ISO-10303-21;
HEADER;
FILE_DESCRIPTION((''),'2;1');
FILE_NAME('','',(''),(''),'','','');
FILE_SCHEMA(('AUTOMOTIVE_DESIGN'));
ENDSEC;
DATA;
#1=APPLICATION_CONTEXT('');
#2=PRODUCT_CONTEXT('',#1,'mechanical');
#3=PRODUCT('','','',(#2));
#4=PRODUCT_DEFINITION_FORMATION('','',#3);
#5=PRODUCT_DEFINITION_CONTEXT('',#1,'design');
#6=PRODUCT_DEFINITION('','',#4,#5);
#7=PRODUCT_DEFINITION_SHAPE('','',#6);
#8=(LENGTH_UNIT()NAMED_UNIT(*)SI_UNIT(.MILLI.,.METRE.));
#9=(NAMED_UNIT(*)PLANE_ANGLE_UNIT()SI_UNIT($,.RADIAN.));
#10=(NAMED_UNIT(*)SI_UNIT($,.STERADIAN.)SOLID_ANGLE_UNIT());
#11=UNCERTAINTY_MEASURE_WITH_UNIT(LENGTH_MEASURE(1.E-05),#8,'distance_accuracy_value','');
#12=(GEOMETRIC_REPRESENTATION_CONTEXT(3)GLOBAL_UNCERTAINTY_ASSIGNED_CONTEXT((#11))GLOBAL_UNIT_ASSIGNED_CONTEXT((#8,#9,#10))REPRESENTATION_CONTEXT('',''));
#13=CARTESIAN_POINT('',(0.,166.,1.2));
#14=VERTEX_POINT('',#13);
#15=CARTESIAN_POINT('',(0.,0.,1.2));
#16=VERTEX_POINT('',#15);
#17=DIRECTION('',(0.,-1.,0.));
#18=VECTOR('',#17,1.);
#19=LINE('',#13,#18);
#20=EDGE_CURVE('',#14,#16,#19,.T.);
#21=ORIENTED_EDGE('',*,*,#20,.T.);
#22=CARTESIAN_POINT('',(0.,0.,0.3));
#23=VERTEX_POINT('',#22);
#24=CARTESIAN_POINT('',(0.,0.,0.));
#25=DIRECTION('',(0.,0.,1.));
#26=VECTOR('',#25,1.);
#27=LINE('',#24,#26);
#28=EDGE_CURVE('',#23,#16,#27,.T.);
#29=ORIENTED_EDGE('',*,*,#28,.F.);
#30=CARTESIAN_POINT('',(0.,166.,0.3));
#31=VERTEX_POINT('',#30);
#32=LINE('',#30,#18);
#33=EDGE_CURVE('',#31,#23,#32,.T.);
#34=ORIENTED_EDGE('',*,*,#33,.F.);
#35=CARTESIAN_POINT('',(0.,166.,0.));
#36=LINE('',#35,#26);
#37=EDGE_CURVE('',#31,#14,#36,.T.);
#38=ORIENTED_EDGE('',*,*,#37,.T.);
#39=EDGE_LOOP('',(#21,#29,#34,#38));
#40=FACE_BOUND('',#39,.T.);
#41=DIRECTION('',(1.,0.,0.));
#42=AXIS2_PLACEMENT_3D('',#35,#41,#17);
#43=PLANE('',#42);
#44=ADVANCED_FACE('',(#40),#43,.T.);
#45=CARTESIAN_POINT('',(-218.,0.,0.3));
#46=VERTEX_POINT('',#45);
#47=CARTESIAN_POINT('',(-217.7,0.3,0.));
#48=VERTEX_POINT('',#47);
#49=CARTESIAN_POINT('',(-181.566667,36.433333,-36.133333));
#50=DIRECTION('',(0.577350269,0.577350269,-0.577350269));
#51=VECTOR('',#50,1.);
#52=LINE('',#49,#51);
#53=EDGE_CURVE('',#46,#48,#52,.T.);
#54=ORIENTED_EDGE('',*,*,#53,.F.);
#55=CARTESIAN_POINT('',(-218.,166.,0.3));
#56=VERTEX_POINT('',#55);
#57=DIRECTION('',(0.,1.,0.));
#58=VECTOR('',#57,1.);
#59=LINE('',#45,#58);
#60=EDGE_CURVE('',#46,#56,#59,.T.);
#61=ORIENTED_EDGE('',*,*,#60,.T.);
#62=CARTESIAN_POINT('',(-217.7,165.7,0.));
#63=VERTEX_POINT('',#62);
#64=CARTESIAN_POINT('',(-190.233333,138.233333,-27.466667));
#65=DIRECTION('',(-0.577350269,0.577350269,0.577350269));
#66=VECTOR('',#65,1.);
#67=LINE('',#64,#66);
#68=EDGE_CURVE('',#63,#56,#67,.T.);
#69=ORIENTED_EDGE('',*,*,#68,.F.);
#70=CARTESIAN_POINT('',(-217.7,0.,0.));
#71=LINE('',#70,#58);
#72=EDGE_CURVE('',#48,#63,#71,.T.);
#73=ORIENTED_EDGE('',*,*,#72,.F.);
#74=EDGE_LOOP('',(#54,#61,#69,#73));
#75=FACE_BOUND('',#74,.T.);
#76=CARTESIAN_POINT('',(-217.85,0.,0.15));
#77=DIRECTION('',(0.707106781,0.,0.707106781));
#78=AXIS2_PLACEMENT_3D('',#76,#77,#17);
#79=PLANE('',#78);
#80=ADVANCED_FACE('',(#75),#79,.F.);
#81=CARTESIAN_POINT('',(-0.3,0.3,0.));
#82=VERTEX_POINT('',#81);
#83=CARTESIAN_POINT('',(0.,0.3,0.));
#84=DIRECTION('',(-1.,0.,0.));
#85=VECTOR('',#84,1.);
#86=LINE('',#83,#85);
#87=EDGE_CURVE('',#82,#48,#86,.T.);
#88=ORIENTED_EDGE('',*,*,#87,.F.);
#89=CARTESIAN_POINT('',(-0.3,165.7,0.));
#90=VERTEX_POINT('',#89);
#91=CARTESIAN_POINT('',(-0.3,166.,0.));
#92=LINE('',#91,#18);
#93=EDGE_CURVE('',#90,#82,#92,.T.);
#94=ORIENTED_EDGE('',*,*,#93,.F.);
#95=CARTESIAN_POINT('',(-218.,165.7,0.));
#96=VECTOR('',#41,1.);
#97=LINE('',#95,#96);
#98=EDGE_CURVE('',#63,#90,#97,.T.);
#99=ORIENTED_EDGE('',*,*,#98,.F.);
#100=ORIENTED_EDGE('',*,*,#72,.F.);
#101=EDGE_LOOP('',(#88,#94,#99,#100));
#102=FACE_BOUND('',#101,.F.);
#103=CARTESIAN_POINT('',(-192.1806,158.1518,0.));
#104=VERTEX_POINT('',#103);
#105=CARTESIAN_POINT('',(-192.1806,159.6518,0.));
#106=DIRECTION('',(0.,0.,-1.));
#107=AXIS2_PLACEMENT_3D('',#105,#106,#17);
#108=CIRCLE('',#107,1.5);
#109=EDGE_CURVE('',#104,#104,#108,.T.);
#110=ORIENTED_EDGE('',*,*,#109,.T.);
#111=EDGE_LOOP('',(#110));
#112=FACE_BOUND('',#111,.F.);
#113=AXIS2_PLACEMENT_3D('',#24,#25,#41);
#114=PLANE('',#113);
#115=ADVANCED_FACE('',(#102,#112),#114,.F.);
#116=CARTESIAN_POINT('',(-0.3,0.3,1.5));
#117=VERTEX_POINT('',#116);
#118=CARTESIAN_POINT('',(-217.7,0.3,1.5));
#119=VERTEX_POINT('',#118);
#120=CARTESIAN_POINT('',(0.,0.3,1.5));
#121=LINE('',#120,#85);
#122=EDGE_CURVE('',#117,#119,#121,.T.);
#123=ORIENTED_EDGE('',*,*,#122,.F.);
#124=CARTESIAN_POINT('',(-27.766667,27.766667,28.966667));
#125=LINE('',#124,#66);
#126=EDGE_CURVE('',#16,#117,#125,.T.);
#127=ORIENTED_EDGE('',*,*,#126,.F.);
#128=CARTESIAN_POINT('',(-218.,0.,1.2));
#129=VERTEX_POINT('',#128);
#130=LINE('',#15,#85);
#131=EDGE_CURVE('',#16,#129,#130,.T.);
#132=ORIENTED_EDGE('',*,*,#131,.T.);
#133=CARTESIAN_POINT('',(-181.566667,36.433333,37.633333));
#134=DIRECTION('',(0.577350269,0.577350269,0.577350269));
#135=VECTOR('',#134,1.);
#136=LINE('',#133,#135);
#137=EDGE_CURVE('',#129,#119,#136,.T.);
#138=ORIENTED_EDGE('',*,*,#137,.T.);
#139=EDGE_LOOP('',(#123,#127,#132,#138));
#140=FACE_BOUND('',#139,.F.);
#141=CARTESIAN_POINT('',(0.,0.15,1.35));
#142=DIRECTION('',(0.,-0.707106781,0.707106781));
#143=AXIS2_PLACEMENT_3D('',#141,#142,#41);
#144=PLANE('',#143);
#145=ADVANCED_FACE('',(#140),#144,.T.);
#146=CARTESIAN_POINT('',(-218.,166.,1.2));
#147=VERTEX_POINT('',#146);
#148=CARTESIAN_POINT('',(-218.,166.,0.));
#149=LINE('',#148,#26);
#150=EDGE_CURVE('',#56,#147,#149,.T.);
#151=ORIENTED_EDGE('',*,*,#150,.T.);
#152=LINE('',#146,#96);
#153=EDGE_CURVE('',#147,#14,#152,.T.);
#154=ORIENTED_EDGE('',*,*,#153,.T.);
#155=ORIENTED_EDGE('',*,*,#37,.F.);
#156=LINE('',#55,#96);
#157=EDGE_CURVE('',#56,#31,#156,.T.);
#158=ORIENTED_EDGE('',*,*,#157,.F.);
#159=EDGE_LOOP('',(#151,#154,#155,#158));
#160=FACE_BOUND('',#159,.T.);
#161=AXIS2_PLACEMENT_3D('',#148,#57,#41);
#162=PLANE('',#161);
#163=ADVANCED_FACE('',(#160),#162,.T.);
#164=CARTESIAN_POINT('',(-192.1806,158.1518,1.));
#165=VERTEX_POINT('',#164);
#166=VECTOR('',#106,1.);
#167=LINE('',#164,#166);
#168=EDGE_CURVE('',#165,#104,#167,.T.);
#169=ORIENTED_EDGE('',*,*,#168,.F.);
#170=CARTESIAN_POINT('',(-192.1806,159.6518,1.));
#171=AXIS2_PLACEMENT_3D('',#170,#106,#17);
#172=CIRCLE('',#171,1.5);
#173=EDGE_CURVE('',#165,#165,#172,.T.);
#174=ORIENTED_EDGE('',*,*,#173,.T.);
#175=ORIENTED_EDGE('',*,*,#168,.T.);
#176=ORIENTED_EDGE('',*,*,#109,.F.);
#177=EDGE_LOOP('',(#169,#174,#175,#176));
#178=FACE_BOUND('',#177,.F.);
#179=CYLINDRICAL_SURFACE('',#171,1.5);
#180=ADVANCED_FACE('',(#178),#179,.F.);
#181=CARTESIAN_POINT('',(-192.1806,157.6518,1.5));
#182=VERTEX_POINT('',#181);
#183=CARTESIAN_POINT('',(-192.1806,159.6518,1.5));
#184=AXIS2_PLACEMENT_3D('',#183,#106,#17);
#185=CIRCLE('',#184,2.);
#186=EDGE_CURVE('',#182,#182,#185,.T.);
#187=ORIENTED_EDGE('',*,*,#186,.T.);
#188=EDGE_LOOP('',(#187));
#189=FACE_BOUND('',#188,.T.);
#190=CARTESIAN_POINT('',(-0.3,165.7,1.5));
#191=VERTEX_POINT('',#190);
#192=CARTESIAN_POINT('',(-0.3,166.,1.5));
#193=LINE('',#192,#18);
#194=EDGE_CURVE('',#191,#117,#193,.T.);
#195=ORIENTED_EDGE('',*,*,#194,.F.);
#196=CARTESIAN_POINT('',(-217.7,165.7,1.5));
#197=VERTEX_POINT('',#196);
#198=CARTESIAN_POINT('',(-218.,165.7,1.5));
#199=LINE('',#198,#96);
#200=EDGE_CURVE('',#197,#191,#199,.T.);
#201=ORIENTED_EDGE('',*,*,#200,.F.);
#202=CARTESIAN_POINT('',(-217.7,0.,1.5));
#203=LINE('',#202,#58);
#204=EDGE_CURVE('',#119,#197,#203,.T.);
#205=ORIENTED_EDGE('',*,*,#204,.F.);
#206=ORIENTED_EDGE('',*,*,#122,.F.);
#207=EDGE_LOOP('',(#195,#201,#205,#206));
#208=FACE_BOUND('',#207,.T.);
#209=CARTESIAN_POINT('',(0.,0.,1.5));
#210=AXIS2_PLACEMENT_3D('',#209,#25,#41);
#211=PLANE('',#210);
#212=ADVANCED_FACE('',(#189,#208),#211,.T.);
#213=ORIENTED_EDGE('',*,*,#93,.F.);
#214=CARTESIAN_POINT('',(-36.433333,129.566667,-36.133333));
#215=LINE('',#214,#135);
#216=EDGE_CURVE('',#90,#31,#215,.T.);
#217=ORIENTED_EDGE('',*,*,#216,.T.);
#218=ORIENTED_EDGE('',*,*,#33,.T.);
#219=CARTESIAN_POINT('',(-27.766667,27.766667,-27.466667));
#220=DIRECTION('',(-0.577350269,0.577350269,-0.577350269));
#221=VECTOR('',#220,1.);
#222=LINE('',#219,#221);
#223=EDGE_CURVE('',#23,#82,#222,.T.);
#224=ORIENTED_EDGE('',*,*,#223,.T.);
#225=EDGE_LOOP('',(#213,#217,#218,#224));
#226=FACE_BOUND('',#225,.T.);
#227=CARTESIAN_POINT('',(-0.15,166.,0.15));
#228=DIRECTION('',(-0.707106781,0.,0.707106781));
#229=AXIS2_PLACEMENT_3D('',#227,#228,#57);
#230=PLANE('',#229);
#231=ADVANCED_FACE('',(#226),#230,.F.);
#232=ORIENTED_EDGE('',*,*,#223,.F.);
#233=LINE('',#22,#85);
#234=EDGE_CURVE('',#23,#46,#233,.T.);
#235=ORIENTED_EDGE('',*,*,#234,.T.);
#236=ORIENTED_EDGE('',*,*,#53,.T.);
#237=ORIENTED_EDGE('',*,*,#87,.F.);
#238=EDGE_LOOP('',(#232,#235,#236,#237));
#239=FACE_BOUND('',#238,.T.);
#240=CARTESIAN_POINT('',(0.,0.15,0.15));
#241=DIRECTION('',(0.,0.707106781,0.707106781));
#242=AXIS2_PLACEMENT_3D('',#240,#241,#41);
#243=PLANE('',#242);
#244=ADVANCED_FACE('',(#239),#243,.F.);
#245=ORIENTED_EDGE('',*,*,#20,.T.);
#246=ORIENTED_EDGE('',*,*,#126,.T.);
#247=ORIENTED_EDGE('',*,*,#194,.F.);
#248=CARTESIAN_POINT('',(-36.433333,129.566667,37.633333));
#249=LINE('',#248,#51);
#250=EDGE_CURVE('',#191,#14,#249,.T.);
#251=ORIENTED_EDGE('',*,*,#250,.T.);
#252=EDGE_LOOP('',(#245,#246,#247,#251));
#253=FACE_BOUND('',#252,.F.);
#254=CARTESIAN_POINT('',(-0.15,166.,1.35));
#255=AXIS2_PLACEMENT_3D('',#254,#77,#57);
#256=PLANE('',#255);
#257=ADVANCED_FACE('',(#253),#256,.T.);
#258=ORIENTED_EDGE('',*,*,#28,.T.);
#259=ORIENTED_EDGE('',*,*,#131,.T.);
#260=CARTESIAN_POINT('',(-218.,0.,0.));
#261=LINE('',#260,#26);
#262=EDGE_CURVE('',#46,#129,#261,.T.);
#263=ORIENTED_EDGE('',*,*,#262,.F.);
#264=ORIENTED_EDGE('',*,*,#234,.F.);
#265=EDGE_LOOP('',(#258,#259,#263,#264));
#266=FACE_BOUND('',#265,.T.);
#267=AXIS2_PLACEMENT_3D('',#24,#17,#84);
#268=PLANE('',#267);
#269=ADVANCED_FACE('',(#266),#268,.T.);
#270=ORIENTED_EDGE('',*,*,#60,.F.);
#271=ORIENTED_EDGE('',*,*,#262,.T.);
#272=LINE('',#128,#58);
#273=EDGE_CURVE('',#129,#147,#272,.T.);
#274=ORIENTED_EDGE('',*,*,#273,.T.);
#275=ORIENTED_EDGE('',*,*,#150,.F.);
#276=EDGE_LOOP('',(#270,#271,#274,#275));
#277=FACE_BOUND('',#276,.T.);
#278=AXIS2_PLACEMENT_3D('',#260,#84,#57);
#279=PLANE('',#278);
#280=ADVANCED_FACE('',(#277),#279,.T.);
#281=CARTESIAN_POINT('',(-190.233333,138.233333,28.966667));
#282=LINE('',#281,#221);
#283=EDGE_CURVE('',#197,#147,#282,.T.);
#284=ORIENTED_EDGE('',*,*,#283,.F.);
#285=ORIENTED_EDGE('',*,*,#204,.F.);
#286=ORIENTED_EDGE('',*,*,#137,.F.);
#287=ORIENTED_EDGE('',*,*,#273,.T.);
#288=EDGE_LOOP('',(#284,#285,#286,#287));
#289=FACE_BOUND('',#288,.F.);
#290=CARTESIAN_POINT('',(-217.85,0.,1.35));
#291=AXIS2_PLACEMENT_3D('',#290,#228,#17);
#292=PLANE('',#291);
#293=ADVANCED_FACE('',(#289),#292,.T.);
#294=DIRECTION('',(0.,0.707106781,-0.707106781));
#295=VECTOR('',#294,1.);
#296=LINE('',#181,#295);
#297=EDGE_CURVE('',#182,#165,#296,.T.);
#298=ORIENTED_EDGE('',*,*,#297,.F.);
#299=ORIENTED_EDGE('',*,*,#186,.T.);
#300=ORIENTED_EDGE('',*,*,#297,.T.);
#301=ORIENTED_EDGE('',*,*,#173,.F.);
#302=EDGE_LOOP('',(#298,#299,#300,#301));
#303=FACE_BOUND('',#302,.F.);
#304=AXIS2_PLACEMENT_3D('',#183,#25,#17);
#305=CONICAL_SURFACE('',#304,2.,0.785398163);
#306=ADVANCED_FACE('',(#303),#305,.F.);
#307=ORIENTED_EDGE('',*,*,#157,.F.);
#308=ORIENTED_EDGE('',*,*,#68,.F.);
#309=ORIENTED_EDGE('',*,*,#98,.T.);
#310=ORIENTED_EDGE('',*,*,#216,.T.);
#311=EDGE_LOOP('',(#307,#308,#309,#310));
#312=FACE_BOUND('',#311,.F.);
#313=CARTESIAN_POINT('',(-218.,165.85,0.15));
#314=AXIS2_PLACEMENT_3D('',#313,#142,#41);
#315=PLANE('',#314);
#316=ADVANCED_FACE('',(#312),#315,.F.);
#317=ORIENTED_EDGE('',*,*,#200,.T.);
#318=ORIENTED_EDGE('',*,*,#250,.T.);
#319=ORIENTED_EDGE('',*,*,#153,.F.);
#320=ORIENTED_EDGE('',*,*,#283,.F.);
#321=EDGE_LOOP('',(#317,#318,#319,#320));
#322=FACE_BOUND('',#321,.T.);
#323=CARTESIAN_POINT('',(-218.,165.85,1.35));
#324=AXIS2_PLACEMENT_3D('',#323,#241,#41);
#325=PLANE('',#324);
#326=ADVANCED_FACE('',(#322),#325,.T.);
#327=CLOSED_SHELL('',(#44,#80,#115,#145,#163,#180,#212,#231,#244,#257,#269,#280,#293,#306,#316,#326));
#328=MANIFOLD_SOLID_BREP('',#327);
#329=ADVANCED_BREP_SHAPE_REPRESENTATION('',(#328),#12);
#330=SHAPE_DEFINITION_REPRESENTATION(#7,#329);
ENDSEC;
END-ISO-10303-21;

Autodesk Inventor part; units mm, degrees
ref_plane "YZ Plane" through (0, 0, 0) normal (1, 0, 0) x (0, 1, 0)
ref_plane "XZ Plane" through (0, 0, 0) normal (0, 1, 0) x (-1, 0, 0)
ref_plane "XY Plane" through (0, 0, 0) normal (0, 0, 1) x (1, 0, 0)
sketch "Эскиз1" plane through (0, 0, 0) normal (0, 0, 1) x (1, 0, 0)
  line L0 (0, 0) -> (-218, 0)
  line L1 (-218, 0) -> (-218, 166)
  line L2 (-218, 166) -> (0, 166)
  line L3 (0, 166) -> (0, 0)
  line L4 (-206.585, 154.4751) -> (-20.585, 154.4751)
  line L5 (-20.585, 154.4751) -> (-20.585, 20.4751)
  line L6 (-20.585, 20.4751) -> (-206.585, 20.4751)
  line L7 (-206.585, 20.4751) -> (-206.585, 154.4751)
  dimension "d0" = 218
  dimension "d1" = 166
  dimension "d7" = 186
  dimension "d8" = 134
extrude "Выдавливание1" add sketch "Эскиз1" along normal blind 1.5 contours L0 L1 L2 L3 | L4 L5 L6 L7
chamfer "Фаска1" distance 0.3 angle 45 8 edges at (-109, 166, 1.5) (-218, 83, 1.5) (-109, 0, 1.5) (0, 83, 1.5) (-109, 166, 0) (0, 83, 0) (-218, 83, 0) (-109, 0, 0)
sketch "Эскиз2" plane through (0, 0, 1.5) normal (0, 0, 1) x (1, 0, 0)
  point P0 (0, 0)
  point P1 (-192.1806, 159.6518)
hole "Отверстие1" at (-192.1806, 159.6518, 1.5) direction (0, 0, -1) diameter 3 end through all countersink diameter 4 countersink angle 90
equation "\"Радиус_гибки\" = Толщина"
equation "\"Ширина_просечки\" = Толщина"
equation "\"Глубина_просечки\" = 0.5 * Толщина"
equation "\"Размер_просечки\" = 4 * Толщина"
equation "\"Мин_остаток\" = 2 * Толщина"
equation "\"Радиус_перехода\" = Радиус_гибки"
equation "\"Радиус_Якоби\" = Радиус_гибки"
equation "\"Размер_зазора\" = Толщина"
equation "\"Толщина\" = 3.048"
properties part number "BackCover"
